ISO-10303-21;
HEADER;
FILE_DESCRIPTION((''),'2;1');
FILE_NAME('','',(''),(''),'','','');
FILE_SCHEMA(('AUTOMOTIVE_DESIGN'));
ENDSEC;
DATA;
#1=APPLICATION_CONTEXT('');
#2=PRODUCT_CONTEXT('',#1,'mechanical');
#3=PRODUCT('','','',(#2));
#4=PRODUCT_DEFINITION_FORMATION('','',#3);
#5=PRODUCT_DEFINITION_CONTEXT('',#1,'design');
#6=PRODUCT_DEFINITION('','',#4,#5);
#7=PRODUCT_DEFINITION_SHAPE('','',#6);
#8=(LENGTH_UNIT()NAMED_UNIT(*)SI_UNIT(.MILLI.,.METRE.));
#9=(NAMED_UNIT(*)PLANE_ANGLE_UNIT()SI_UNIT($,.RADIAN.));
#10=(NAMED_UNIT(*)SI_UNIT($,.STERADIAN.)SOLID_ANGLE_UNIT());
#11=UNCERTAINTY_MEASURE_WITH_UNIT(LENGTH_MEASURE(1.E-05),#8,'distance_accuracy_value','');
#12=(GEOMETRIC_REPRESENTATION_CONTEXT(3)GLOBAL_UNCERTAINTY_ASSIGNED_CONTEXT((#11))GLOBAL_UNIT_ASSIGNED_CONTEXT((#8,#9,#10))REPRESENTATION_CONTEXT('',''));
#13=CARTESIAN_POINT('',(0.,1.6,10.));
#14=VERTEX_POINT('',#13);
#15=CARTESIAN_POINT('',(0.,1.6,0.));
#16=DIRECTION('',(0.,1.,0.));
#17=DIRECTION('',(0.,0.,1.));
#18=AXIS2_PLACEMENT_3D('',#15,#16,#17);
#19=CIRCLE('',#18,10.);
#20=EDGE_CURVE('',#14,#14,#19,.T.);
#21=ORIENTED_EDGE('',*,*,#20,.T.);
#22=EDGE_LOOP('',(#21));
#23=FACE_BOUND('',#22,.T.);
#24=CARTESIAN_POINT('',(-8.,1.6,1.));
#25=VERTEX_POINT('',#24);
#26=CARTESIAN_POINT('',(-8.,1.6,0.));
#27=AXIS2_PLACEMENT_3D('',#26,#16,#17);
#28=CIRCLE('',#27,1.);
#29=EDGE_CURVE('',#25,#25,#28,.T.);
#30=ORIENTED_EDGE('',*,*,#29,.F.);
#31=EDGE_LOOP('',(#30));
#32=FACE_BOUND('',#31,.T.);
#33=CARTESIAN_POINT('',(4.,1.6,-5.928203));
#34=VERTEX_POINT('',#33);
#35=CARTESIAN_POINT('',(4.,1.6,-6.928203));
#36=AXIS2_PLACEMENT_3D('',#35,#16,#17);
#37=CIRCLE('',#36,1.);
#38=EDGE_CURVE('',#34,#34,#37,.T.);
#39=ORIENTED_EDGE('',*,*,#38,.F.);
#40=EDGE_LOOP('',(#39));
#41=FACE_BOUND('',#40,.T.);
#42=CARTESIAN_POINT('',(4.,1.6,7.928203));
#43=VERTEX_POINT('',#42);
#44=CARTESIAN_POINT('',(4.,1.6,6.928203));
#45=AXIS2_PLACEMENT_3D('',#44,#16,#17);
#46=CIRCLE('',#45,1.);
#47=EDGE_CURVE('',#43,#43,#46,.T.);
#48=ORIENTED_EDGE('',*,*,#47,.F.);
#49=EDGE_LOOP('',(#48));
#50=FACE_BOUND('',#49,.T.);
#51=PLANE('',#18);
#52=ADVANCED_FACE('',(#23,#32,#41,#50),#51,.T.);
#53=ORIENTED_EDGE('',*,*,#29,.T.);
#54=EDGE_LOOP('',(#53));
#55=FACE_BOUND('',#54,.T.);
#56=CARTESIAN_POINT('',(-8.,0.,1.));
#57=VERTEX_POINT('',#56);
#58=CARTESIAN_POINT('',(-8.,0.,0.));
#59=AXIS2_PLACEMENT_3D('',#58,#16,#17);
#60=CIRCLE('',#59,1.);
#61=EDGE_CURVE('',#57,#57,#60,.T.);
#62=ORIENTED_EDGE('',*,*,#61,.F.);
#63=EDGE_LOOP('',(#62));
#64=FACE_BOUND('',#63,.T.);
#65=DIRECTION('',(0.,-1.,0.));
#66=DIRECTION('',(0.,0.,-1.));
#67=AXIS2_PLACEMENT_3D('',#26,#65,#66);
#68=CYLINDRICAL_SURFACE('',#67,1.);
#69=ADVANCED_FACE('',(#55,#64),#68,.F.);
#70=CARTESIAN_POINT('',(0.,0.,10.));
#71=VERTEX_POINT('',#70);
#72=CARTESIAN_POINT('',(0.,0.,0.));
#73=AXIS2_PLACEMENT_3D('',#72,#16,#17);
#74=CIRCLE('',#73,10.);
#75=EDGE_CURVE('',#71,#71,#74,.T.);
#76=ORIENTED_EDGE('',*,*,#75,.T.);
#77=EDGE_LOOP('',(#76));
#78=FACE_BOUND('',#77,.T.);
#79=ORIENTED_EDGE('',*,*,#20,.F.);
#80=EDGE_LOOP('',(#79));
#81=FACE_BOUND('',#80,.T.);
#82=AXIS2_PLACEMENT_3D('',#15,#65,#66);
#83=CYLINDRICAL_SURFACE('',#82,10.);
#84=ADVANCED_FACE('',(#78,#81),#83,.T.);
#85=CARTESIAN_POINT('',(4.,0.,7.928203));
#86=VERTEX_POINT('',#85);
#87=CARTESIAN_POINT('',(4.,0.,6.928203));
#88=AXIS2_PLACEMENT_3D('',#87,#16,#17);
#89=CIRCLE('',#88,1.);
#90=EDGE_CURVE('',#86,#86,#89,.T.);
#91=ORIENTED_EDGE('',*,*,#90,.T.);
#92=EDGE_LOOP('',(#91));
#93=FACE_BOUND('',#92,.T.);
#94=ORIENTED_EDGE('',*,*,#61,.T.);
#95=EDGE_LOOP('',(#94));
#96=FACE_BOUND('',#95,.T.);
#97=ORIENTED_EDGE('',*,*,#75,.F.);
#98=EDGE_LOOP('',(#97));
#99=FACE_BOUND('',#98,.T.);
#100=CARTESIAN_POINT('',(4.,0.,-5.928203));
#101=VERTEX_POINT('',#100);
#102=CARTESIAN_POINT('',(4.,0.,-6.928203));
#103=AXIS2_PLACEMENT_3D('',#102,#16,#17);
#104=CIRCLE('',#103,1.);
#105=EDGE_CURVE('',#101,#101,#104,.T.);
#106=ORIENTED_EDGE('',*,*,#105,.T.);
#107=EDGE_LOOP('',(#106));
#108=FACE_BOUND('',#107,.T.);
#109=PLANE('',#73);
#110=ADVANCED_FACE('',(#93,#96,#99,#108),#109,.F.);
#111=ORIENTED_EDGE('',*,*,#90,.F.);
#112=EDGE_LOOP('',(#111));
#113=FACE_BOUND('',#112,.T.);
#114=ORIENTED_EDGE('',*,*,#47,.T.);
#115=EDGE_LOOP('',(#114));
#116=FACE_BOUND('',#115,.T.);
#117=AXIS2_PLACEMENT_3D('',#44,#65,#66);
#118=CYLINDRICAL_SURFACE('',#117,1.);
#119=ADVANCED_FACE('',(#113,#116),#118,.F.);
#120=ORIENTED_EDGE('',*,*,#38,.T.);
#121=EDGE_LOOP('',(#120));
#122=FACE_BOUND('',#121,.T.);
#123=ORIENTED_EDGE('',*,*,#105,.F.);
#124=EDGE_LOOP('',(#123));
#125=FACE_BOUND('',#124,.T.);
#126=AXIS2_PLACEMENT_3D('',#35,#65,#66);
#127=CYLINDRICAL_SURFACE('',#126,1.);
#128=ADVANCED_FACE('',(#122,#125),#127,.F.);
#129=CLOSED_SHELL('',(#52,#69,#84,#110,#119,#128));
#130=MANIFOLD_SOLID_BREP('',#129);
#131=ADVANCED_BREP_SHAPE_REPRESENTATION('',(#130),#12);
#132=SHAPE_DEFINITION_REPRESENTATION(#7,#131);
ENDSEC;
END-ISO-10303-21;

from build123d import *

# Parameters (mm, degrees)
SKETCH_1_R      = 10
SKETCH_1_R_2    = 1
EXTRUDE_1_DEPTH = 1.6


with BuildPart() as part:
    # 草图1 → 凸台-拉伸1 (new body)
    with BuildSketch(Plane(origin=(0, 0, 0), x_dir=(1, 0, 0), z_dir=(0, 1, 0))):
        Circle(SKETCH_1_R)
        with Locations((-8, 0)):
            Circle(SKETCH_1_R_2, mode=Mode.SUBTRACT)
        with Locations((4, 6.92820323)):
            Circle(SKETCH_1_R_2, mode=Mode.SUBTRACT)
        with Locations((4, -6.92820323)):
            Circle(SKETCH_1_R_2, mode=Mode.SUBTRACT)
    extrude(amount=EXTRUDE_1_DEPTH)


solid = part.part
